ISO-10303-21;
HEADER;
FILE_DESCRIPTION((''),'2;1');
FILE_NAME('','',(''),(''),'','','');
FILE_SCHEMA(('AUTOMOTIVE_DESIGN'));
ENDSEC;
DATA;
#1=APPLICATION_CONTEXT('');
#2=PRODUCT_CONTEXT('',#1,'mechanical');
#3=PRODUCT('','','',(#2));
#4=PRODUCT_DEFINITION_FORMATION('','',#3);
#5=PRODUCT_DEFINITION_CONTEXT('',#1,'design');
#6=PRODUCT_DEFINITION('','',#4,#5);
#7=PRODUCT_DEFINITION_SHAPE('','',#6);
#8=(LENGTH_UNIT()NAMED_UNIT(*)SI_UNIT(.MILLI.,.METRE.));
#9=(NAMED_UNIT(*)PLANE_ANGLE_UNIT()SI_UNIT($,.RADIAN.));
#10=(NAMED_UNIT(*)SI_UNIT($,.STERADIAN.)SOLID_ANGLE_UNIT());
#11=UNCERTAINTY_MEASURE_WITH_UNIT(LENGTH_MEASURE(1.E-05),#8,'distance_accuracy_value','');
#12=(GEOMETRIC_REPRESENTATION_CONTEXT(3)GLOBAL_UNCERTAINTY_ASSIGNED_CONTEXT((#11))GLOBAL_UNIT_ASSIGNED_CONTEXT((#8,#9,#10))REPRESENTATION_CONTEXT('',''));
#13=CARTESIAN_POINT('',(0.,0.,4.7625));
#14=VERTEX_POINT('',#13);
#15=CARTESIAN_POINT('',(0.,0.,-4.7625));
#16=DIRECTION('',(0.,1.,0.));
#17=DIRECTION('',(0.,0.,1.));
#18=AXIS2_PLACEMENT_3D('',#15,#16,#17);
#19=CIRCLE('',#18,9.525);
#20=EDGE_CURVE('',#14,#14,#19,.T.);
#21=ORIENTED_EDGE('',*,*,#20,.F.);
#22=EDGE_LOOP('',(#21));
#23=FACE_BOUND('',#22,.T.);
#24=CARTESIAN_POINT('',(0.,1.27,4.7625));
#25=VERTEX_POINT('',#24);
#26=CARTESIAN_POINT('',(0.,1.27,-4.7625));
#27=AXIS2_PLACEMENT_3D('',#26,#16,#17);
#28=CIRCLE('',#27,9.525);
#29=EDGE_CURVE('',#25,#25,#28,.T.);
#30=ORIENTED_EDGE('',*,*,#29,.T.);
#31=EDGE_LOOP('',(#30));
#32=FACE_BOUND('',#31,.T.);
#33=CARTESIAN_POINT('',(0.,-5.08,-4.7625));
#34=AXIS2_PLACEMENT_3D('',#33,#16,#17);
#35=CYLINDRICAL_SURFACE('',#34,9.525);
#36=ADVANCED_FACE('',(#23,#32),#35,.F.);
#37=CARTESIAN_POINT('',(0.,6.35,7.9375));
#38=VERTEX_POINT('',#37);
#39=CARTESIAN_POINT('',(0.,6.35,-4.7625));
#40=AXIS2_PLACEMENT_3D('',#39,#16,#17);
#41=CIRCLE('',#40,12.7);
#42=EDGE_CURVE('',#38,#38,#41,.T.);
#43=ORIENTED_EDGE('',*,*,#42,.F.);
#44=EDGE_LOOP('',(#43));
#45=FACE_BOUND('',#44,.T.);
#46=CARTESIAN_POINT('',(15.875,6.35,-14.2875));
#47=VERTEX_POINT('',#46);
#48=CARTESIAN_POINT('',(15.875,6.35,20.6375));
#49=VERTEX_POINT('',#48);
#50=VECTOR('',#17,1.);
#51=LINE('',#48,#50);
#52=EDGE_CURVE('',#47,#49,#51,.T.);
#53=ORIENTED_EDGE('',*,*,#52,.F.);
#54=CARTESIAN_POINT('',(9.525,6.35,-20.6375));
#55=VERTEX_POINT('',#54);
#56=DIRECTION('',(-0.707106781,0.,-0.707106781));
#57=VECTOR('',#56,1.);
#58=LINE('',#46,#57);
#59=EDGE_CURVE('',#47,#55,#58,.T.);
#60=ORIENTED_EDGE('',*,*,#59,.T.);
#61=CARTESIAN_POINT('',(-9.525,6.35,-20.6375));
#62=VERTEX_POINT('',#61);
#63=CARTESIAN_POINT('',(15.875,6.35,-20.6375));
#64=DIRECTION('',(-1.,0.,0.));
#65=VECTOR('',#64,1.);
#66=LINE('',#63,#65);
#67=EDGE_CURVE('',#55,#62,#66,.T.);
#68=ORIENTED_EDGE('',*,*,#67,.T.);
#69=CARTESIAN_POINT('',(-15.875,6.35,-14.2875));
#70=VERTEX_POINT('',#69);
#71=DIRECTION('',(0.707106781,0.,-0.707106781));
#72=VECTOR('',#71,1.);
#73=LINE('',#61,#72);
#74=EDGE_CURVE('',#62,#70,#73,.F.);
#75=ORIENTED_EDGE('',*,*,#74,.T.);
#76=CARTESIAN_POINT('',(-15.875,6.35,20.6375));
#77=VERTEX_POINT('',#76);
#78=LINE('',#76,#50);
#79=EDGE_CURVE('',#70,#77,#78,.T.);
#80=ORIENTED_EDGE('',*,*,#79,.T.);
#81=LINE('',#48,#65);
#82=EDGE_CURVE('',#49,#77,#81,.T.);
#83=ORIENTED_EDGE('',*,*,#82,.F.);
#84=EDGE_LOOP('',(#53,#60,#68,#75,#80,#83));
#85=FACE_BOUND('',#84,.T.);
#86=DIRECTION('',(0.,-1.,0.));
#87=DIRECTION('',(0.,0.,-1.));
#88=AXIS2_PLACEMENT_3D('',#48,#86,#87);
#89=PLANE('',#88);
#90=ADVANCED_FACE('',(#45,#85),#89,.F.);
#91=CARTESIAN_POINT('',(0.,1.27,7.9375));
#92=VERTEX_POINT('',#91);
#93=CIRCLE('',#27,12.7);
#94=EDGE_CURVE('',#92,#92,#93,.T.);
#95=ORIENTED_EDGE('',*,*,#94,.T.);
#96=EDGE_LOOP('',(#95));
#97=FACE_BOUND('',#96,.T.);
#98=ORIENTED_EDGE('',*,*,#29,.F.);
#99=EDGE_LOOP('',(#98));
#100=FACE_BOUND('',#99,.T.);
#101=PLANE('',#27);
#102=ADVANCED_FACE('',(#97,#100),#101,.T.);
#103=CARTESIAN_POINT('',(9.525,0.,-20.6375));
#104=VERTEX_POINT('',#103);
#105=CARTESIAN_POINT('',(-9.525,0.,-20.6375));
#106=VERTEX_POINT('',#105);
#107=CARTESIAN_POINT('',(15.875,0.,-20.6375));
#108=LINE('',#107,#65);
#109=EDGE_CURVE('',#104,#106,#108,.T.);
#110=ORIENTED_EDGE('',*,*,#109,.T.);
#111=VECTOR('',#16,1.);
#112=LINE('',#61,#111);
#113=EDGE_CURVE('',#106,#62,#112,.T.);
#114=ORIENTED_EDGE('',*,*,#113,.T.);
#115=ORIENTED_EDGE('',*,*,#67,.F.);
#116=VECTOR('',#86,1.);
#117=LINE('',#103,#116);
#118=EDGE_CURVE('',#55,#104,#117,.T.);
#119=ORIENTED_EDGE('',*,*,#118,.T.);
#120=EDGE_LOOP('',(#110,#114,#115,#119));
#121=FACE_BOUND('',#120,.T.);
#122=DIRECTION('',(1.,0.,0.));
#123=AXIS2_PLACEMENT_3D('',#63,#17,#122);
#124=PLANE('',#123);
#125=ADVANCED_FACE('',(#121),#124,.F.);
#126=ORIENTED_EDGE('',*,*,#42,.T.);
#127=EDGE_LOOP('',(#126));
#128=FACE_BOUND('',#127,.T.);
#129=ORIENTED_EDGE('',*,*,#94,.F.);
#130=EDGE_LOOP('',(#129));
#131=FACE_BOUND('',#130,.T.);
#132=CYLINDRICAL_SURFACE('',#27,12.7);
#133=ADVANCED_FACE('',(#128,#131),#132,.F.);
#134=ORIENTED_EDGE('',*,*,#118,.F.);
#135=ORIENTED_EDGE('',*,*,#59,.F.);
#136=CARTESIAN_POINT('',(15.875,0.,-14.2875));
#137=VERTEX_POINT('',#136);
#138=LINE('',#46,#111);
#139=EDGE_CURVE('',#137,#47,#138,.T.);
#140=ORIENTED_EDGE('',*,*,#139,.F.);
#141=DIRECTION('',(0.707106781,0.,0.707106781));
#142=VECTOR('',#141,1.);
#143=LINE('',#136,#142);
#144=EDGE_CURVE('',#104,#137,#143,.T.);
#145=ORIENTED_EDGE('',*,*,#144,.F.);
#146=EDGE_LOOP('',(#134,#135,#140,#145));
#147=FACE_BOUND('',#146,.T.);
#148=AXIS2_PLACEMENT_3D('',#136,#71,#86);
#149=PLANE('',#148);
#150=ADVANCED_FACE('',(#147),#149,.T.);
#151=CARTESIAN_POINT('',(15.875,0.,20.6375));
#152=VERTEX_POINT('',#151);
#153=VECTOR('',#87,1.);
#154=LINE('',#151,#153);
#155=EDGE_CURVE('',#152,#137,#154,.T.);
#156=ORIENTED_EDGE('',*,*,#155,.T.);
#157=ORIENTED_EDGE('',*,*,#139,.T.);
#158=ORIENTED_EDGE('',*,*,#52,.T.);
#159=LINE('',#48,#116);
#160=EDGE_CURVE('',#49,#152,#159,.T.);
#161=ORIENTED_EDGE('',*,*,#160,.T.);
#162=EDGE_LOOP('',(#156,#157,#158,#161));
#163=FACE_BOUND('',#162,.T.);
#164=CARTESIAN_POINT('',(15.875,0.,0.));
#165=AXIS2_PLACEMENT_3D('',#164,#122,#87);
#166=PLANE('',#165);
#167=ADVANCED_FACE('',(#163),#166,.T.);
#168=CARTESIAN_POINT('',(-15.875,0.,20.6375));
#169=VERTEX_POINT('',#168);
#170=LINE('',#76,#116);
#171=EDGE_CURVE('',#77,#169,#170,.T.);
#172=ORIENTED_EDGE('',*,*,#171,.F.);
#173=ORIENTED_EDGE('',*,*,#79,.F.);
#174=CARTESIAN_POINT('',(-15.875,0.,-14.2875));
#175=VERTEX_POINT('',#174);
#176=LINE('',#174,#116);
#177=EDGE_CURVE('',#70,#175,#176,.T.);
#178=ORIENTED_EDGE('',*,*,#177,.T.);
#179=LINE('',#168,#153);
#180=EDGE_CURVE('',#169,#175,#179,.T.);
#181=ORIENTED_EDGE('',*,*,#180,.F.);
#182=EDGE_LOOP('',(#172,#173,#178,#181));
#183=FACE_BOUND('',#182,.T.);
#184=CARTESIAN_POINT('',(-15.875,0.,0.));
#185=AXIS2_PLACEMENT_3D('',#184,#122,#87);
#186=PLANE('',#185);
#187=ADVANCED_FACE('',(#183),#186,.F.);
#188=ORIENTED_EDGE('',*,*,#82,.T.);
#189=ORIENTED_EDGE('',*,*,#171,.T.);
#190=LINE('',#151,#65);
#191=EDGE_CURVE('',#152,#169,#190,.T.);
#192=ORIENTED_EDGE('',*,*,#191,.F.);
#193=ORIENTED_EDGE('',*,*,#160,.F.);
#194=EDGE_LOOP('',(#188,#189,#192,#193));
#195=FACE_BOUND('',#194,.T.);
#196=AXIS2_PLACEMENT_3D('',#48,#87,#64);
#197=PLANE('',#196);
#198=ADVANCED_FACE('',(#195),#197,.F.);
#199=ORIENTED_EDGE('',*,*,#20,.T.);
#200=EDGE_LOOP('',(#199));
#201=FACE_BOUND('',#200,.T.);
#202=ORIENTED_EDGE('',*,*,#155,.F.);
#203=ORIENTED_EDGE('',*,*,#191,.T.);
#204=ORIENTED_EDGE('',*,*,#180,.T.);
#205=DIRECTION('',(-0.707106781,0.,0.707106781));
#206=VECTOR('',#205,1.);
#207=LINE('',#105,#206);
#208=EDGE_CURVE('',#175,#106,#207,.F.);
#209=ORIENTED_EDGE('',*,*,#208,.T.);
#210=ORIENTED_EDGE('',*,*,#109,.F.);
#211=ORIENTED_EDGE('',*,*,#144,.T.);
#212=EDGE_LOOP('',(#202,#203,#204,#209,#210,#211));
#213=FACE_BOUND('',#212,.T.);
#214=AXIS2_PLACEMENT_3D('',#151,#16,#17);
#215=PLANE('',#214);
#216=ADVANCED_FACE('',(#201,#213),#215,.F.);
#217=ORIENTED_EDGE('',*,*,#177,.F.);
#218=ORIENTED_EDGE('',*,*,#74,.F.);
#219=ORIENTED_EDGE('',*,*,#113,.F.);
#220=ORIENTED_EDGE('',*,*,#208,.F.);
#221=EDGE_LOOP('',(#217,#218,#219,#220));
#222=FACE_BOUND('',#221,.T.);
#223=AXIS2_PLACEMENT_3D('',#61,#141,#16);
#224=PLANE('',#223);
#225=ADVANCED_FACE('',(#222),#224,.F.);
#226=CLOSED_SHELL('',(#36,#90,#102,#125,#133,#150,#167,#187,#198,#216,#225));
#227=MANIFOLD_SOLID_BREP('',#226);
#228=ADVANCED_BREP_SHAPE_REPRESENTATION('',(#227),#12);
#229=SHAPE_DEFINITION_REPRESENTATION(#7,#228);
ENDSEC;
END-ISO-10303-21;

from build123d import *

# Parameters (mm, degrees)
SKETCH1_W           = 41.275
SKETCH1_H           = 6.35
BOSS_EXTRUDE1_DEPTH = 15.875
SKETCH4_R           = 12.7
CUT_EXTRUDE4_DEPTH  = 5.08
SKETCH5_R           = 9.525
CUT_EXTRUDE5_DEPTH  = 6.35
CHAMFER1_SIZE       = 6.35


with BuildPart() as part:
    # Sketch1 → Boss-Extrude1 (new, symmetric)
    with BuildSketch(Plane(origin=(0, 0, 0), x_dir=(0, 0, -1), z_dir=(1, 0, 0))):
        with Locations((0, 3.175)):
            Rectangle(SKETCH1_W, SKETCH1_H)
    extrude(amount=BOSS_EXTRUDE1_DEPTH, both=True)

    # Sketch4 → Cut-Extrude4 (cut)
    with BuildSketch(Plane(origin=(0, 6.35, 0), x_dir=(1, 0, 0), z_dir=(0, 1, 0))):
        with Locations(Location((0, 4.7625, 0), (0, 0, 270))):
            Circle(SKETCH4_R)
    extrude(amount=-CUT_EXTRUDE4_DEPTH, mode=Mode.SUBTRACT)

    # Sketch5 → Cut-Extrude5 (cut)
    with BuildSketch(Plane(origin=(0, 1.27, 0), x_dir=(1, 0, 0), z_dir=(0, 1, 0))):
        with Locations(Location((0, 4.7625, 0), (0, 0, 270))):
            Circle(SKETCH5_R)
    extrude(amount=-CUT_EXTRUDE5_DEPTH, mode=Mode.SUBTRACT)

    # Chamfer1
    chamfer1_edges = [part.edges().sort_by_distance(p)[0] for p in [
        (15.875, 3.175, -20.6375),
        (-15.875, 3.175, -20.6375),
    ]]
    chamfer(chamfer1_edges, length=CHAMFER1_SIZE)


solid = part.part
